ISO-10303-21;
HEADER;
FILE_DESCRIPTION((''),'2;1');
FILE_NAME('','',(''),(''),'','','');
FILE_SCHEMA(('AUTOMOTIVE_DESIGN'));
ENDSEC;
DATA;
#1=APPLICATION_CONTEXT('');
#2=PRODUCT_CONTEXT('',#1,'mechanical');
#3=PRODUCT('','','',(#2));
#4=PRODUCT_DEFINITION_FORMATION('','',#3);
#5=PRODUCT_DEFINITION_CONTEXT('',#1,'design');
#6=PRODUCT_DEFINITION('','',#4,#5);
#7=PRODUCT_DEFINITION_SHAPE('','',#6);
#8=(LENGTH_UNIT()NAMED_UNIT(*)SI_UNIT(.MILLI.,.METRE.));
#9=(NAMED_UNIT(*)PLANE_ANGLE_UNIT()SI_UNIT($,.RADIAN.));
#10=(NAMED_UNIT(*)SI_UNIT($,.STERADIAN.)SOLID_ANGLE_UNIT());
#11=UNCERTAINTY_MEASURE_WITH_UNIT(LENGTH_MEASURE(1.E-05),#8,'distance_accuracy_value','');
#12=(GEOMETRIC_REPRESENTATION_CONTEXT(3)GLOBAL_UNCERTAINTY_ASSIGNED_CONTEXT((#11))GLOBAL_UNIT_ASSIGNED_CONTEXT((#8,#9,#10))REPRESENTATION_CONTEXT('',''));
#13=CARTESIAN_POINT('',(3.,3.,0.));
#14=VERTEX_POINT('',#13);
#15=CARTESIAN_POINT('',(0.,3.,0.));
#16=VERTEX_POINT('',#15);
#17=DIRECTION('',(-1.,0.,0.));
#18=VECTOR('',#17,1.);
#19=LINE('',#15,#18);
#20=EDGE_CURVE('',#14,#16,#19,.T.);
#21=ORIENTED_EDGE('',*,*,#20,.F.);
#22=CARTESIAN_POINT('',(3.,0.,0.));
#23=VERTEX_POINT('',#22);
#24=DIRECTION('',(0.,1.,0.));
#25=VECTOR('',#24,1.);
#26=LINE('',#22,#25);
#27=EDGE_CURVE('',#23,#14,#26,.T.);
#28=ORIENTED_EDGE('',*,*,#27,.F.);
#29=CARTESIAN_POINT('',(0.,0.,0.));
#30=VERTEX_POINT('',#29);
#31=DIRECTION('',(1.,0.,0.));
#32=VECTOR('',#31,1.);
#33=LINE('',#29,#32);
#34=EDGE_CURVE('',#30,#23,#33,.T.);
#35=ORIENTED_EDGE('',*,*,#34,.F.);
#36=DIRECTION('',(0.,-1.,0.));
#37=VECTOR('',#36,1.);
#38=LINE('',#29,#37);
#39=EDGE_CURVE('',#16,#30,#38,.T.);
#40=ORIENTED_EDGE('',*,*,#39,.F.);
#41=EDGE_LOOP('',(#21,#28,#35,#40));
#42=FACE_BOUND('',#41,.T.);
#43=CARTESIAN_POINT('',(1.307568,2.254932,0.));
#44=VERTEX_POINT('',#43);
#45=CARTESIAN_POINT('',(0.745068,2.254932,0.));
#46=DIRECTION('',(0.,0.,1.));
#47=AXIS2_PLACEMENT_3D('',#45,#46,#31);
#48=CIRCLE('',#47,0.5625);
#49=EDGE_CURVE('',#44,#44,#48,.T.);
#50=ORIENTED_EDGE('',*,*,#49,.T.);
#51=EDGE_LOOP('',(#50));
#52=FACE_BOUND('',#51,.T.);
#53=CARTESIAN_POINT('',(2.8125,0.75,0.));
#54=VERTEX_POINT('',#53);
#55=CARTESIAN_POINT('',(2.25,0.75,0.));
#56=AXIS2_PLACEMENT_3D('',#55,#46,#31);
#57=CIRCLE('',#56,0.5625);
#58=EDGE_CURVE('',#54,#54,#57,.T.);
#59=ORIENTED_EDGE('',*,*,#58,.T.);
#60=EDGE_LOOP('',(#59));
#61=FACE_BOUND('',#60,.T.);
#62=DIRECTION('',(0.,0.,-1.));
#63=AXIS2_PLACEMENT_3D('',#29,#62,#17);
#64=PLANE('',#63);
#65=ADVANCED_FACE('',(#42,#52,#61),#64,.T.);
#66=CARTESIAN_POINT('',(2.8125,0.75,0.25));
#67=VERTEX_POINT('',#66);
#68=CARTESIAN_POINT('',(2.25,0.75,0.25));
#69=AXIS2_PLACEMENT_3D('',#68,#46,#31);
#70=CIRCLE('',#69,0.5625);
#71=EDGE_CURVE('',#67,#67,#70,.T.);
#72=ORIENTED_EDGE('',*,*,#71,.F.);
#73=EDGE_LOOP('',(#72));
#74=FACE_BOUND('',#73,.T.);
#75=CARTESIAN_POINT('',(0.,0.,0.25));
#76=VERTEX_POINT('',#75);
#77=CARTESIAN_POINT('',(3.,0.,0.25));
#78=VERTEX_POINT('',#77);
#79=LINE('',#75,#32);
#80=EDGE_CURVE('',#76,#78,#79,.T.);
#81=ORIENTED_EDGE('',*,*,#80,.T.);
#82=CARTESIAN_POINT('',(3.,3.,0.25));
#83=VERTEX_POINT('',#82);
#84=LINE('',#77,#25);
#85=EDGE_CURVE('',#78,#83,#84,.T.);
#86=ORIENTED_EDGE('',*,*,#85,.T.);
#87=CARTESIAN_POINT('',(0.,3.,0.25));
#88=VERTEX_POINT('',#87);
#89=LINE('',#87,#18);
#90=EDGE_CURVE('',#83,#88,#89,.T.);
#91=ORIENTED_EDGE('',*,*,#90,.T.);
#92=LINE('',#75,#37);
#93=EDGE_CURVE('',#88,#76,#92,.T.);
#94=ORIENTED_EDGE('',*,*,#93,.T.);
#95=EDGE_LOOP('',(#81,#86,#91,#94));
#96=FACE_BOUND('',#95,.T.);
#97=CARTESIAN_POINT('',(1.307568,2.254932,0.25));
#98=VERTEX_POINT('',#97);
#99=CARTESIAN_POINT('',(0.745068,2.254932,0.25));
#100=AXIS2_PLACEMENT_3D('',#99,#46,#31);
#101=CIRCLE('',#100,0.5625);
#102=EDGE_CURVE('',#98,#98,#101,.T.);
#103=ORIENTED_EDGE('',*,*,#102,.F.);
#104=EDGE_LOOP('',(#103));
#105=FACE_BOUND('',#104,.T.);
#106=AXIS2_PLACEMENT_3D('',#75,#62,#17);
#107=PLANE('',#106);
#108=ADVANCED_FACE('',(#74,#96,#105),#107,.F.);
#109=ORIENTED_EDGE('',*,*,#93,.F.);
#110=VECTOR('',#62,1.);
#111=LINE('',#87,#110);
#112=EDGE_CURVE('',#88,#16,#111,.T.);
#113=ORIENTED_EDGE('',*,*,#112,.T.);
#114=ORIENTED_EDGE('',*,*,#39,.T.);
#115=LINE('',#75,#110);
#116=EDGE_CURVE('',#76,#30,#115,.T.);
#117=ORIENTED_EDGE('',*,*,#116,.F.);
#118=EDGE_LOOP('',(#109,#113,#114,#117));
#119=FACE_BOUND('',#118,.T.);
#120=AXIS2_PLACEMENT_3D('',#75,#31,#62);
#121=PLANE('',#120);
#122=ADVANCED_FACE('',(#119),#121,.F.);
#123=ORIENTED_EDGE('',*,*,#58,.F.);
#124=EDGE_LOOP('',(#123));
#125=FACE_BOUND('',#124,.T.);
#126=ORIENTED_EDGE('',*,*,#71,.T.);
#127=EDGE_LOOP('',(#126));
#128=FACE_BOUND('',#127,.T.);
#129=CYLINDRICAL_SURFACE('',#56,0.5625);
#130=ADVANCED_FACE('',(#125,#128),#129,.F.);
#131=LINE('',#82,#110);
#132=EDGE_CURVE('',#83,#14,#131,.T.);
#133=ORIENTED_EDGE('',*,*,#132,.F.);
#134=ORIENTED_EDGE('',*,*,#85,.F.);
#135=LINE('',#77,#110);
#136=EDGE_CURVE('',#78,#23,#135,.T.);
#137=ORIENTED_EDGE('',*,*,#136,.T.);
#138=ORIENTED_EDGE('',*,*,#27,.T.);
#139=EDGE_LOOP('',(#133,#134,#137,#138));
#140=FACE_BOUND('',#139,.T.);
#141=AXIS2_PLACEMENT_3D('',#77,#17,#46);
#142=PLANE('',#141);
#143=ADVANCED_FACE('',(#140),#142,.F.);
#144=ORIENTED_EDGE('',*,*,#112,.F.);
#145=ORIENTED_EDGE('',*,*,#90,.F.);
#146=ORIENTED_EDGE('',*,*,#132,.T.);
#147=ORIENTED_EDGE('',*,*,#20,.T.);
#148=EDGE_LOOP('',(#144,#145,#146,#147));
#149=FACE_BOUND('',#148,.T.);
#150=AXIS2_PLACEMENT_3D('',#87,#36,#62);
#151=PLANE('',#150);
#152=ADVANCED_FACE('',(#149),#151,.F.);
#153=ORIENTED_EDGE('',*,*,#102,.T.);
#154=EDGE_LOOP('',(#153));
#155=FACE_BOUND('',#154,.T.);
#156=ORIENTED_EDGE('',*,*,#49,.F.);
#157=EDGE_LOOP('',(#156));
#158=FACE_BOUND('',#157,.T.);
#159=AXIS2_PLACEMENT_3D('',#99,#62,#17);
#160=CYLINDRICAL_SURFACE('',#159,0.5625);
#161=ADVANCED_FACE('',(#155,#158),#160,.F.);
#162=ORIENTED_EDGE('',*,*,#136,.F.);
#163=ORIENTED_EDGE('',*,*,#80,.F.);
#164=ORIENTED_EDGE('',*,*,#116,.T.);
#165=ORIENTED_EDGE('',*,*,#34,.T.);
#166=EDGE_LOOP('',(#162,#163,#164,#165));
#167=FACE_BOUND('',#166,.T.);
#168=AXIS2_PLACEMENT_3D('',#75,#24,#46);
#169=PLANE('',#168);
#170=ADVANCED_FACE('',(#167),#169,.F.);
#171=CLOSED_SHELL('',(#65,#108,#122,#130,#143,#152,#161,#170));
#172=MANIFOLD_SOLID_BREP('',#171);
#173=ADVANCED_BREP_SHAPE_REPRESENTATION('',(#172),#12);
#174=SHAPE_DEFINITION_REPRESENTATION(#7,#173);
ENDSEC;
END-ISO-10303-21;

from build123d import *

# Parameters (mm, degrees)
SKETCH2_W           = 3
SKETCH2_H           = 3
SKETCH2_R           = 0.5625
BOSS_EXTRUDE1_DEPTH = 0.25
SKETCH5_R           = 0.5625
CUT_EXTRUDE1_DEPTH  = 5.25


with BuildPart() as part:
    # Sketch2 → Boss-Extrude1 (new body)
    with BuildSketch(Plane.XY):
        with Locations((1.5, 1.5)):
            Rectangle(SKETCH2_W, SKETCH2_H)
        with Locations((0.745068251, 2.254931749)):
            Circle(SKETCH2_R, mode=Mode.SUBTRACT)
    extrude(amount=BOSS_EXTRUDE1_DEPTH)

    # Sketch5 → Cut-Extrude1 (cut, through all)
    with BuildSketch(Plane.XY.offset(0.25)):
        with Locations((2.25, 0.75)):
            Circle(SKETCH5_R)
    extrude(amount=-CUT_EXTRUDE1_DEPTH, mode=Mode.SUBTRACT)


solid = part.part
